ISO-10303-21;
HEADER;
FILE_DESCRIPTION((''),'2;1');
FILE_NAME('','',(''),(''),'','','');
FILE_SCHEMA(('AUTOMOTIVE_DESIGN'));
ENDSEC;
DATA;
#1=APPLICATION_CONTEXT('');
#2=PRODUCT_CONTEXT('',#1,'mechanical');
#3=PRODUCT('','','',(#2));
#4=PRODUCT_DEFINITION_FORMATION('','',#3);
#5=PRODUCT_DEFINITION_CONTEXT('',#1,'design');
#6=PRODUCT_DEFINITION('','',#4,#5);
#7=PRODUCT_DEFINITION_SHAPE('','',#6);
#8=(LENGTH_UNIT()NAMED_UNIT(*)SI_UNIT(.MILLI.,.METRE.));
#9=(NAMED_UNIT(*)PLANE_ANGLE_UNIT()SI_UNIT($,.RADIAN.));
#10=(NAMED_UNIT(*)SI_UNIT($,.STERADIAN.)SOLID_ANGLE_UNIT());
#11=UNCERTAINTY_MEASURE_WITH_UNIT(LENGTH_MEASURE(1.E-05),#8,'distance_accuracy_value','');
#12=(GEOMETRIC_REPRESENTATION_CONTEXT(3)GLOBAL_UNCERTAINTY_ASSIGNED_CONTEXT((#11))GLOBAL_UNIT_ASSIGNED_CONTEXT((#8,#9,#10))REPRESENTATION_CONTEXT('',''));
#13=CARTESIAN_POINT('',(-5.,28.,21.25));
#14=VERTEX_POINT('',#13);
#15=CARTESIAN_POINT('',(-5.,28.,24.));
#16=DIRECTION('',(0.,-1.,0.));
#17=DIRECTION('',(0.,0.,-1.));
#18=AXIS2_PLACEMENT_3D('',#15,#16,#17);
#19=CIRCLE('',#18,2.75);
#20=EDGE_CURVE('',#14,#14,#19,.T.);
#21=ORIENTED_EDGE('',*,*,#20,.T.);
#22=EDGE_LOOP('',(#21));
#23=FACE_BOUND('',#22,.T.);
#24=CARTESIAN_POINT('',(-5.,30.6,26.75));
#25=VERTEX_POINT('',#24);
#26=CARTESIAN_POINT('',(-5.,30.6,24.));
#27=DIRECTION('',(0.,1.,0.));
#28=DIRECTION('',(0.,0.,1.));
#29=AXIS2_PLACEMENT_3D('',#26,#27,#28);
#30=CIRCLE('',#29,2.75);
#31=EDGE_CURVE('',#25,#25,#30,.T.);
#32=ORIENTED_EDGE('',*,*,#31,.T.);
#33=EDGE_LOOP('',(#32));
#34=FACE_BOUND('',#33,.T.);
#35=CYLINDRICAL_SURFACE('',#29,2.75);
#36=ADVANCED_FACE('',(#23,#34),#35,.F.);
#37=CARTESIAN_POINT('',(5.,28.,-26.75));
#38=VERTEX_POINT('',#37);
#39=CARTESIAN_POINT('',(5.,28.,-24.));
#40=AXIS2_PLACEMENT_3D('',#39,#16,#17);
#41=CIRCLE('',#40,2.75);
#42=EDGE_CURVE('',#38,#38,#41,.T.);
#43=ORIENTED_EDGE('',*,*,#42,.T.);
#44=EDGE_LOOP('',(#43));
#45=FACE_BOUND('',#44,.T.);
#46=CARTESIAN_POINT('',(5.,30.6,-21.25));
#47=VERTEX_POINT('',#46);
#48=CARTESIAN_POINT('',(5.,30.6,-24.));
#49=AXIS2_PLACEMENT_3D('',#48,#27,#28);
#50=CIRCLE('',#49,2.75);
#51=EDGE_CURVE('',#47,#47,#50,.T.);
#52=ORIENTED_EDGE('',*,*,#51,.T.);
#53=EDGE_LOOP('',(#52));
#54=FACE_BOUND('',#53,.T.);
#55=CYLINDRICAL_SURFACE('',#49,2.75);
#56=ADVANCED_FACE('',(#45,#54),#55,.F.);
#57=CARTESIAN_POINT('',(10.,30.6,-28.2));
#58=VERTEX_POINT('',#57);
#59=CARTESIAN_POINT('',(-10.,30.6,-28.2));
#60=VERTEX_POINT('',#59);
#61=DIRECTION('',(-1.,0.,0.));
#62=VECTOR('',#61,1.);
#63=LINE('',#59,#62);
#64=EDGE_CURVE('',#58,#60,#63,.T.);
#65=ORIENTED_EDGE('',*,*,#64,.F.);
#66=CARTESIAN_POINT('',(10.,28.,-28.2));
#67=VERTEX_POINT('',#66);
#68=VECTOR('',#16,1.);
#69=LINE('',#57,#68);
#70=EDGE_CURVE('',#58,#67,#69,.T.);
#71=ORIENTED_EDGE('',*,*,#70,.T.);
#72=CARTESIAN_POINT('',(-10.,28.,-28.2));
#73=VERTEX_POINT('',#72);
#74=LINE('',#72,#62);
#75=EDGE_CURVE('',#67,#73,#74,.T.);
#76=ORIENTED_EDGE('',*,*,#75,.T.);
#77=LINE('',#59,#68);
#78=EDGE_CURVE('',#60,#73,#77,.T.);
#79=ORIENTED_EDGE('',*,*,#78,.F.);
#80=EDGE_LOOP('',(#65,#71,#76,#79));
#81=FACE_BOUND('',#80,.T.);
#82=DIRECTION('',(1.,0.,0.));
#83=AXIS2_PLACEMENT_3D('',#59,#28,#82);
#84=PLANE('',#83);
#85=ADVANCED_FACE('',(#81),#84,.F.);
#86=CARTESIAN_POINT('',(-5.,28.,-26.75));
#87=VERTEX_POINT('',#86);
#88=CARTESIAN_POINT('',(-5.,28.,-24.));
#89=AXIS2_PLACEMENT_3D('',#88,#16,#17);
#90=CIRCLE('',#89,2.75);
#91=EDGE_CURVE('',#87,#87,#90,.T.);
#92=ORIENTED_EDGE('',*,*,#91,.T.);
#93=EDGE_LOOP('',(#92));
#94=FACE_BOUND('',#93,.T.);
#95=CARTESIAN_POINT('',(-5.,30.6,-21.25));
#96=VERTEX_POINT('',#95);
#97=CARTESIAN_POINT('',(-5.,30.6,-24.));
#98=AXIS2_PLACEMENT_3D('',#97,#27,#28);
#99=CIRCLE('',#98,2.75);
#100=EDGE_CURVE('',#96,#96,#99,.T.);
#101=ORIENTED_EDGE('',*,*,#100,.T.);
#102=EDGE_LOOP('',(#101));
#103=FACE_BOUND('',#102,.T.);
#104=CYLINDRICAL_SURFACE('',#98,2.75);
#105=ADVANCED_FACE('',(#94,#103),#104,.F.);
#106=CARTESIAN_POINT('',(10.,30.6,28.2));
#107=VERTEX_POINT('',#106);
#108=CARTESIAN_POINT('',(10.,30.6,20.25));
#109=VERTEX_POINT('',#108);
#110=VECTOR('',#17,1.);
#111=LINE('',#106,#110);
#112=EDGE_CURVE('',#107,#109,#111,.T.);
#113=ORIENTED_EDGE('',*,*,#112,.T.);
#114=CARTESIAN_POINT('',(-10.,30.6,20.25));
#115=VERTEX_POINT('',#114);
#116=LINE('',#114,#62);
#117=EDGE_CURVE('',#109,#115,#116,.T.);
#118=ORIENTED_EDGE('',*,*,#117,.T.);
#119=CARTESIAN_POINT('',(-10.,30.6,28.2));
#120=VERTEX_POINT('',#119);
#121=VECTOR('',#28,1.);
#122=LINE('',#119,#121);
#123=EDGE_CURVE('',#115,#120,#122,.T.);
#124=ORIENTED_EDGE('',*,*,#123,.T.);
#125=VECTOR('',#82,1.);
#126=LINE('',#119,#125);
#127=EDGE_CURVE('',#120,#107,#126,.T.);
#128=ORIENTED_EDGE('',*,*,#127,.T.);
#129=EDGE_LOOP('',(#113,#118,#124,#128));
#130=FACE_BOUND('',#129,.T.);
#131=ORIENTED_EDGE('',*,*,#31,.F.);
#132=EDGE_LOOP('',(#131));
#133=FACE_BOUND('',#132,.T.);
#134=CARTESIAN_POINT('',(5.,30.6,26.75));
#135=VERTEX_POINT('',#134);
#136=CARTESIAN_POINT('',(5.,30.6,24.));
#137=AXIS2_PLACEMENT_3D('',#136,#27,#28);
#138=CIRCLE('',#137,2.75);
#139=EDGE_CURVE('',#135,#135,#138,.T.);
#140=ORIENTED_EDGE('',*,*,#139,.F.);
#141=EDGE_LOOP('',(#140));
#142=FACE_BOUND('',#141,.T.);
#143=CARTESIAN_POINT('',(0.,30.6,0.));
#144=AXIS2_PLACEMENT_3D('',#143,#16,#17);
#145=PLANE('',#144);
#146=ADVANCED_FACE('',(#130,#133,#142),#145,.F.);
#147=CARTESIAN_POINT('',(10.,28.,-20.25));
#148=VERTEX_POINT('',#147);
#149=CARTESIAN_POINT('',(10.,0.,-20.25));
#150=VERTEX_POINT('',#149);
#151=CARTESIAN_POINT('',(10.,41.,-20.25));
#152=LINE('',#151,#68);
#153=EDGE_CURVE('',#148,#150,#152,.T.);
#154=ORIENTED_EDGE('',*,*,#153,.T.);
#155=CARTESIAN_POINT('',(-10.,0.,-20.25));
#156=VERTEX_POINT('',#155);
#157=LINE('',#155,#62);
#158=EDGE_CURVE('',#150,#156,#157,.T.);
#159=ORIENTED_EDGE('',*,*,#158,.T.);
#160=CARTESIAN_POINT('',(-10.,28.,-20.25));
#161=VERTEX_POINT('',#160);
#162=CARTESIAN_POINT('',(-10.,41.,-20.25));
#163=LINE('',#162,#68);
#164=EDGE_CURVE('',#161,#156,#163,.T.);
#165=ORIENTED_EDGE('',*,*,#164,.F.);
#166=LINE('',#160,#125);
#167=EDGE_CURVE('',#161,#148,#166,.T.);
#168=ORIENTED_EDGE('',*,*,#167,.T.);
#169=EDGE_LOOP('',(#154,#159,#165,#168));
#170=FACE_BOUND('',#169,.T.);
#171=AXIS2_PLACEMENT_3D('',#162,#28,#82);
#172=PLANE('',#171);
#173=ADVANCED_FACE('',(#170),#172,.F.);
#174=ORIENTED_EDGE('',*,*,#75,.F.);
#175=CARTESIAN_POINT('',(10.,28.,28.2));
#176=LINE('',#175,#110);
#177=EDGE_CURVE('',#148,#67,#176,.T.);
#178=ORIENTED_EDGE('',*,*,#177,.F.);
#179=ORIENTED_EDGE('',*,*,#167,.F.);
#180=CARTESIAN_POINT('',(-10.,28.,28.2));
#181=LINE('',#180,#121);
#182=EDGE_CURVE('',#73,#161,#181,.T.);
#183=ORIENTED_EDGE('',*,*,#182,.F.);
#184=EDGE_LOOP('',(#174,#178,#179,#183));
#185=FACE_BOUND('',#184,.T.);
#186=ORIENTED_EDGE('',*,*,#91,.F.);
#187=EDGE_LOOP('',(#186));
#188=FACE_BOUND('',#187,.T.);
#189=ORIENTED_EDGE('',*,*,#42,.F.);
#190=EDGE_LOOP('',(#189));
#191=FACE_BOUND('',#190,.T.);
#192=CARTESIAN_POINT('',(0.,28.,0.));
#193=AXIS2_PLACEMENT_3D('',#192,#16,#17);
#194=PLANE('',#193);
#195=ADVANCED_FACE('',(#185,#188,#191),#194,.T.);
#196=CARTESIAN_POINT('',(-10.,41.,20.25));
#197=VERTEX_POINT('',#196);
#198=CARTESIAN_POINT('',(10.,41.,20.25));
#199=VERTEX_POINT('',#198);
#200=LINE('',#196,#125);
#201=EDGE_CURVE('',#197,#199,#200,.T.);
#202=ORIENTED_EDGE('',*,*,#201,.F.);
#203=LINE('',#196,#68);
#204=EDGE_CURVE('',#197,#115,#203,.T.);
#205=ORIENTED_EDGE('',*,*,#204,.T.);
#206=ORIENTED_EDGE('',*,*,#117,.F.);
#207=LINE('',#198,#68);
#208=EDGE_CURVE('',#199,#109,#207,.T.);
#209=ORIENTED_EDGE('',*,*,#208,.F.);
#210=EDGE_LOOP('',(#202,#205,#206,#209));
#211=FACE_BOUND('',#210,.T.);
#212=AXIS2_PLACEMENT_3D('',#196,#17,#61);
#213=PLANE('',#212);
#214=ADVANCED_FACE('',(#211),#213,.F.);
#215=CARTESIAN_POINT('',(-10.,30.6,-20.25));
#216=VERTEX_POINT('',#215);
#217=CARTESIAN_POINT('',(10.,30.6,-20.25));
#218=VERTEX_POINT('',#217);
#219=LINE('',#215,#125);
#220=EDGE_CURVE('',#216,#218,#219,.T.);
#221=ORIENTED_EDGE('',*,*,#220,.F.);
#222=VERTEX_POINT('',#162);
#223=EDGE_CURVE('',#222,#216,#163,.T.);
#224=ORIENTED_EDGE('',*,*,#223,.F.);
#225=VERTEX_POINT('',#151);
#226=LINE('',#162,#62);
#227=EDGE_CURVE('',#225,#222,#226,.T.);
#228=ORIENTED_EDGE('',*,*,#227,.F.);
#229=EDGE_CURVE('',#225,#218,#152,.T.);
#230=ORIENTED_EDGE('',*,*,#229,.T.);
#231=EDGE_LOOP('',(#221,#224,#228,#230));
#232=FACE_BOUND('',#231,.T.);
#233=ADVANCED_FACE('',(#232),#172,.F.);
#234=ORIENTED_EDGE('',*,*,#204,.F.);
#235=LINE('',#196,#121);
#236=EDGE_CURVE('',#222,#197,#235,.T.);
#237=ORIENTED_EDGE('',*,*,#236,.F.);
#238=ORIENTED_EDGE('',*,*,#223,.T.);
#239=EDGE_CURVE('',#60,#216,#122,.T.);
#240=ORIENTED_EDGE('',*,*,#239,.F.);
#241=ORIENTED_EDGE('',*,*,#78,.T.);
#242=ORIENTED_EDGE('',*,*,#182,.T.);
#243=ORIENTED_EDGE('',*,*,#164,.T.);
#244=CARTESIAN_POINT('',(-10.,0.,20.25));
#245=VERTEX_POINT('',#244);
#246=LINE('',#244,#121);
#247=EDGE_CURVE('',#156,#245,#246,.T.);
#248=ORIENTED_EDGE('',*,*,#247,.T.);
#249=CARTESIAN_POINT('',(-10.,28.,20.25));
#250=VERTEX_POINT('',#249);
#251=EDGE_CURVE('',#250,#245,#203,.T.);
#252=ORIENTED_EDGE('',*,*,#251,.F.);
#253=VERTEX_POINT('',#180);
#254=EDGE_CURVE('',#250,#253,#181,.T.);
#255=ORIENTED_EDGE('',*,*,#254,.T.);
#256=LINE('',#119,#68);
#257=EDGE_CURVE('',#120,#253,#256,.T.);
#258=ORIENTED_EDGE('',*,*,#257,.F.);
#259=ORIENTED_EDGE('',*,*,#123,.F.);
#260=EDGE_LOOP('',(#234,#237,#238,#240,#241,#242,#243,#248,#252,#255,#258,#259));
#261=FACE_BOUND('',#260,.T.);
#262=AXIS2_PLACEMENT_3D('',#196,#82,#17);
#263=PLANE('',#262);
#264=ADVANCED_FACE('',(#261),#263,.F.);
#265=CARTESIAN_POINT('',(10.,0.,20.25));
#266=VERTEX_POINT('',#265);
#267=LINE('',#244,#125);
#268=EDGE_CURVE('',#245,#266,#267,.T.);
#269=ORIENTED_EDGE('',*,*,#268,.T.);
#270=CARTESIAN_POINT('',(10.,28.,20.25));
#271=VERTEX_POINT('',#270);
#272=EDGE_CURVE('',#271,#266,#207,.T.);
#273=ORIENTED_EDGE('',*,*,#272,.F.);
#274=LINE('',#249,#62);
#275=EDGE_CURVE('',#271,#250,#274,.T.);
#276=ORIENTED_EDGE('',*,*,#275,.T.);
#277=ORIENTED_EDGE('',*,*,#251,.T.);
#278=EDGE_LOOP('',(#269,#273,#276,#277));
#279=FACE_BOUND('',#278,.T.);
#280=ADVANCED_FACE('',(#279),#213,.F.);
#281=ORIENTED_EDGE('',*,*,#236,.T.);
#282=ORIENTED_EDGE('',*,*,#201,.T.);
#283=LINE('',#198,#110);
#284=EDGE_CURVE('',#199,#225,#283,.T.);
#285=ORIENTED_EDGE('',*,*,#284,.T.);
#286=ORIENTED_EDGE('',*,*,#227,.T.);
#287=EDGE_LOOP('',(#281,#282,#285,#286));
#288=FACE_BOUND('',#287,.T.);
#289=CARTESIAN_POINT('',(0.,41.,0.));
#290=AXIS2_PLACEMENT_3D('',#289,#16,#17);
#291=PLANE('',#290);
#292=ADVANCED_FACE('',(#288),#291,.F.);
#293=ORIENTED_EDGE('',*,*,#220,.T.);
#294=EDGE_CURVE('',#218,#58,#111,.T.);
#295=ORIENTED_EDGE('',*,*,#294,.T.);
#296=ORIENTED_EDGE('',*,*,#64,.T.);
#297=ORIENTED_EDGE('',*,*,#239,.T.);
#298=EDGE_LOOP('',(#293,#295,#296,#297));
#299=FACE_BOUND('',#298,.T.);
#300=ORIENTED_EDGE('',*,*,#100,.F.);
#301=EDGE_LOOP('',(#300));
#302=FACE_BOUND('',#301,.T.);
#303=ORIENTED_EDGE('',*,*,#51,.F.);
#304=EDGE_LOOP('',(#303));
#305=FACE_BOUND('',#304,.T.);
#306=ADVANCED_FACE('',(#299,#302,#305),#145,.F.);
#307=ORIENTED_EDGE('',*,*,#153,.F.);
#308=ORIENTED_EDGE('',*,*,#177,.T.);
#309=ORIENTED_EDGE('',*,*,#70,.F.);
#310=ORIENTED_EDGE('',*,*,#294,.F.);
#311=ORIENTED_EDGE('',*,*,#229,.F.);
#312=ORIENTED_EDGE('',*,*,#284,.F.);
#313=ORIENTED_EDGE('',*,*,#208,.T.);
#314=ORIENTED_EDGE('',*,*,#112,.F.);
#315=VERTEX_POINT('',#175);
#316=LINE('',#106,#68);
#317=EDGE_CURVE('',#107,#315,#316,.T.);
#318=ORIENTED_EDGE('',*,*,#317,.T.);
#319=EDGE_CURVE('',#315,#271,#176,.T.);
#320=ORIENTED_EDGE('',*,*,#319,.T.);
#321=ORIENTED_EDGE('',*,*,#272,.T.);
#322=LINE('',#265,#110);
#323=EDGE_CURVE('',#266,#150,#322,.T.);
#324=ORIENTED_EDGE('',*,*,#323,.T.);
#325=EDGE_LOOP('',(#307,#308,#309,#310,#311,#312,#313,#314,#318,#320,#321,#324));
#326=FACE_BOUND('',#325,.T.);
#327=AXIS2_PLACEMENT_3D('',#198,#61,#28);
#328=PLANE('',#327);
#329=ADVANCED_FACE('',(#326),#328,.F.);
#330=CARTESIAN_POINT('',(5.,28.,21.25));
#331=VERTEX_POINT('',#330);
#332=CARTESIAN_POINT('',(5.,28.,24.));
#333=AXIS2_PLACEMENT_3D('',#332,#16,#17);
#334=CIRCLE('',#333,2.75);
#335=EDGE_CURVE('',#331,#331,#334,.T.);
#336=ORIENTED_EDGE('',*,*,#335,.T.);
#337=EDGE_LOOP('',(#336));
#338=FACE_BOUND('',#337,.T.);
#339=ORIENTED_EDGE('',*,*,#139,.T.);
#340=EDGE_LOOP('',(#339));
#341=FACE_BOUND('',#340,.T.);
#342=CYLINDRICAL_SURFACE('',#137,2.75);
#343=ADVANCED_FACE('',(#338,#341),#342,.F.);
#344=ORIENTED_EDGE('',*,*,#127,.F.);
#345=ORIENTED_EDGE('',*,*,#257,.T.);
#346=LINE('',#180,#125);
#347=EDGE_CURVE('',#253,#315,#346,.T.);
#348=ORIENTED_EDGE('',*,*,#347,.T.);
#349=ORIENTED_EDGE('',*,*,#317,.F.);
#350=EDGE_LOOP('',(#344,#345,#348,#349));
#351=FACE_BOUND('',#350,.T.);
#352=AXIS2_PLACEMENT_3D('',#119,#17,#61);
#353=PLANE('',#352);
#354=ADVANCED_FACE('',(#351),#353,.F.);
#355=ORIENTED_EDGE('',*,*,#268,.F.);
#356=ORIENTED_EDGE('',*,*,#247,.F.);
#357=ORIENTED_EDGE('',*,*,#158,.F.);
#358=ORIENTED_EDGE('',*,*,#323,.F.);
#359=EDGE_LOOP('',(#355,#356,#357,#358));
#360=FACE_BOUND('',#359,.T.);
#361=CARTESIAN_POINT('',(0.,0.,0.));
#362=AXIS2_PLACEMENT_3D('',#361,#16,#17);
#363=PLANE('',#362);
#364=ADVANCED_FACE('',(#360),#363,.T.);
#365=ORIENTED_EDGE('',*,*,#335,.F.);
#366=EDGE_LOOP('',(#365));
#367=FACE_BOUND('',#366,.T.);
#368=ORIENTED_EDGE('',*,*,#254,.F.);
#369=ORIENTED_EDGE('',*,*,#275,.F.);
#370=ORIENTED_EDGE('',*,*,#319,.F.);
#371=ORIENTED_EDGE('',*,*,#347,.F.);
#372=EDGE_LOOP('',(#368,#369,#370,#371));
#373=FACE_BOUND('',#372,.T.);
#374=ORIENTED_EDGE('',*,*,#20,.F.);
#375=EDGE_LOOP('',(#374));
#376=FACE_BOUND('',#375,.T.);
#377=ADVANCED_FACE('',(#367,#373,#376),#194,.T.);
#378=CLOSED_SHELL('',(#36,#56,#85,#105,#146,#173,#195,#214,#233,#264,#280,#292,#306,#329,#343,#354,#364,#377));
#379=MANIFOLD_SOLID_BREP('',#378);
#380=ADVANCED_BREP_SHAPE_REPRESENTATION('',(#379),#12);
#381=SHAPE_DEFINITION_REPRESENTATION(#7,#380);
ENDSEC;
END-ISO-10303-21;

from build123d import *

# Parameters (mm, degrees)
SKETCH2_W            = 20
SKETCH2_H            = 40.5
BOSS_EXTRUDE1_DEPTH  = 41
SKETCH3_W            = 20
SKETCH3_H            = 56.4
BOSS_EXTRUDE2_DEPTH  = 2.6
M5_CLEARANCE_HOLE1_D = 5.5


with BuildPart() as part:
    # Sketch2 → Boss-Extrude1 (new body)
    with BuildSketch(Plane(origin=(0, 0, 0), x_dir=(1, 0, 0), z_dir=(0, 1, 0))):
        Rectangle(SKETCH2_W, SKETCH2_H)
    extrude(amount=BOSS_EXTRUDE1_DEPTH)

    # Sketch3 → Boss-Extrude2 (add)
    with BuildSketch(Plane(origin=(0, 28, 0), x_dir=(1, 0, 0), z_dir=(0, 1, 0))):
        Rectangle(SKETCH3_W, SKETCH3_H)
    extrude(amount=BOSS_EXTRUDE2_DEPTH)

    # M5 Clearance Hole1 (through all)
    with Locations(Plane(origin=(0, 30.6, 0), x_dir=(1, 0, 0), z_dir=(0, 1, 0))):
        with Locations((-5, 24), (5, 24), (5, -24), (-5, -24)):
            Hole(M5_CLEARANCE_HOLE1_D / 2)


solid = part.part
